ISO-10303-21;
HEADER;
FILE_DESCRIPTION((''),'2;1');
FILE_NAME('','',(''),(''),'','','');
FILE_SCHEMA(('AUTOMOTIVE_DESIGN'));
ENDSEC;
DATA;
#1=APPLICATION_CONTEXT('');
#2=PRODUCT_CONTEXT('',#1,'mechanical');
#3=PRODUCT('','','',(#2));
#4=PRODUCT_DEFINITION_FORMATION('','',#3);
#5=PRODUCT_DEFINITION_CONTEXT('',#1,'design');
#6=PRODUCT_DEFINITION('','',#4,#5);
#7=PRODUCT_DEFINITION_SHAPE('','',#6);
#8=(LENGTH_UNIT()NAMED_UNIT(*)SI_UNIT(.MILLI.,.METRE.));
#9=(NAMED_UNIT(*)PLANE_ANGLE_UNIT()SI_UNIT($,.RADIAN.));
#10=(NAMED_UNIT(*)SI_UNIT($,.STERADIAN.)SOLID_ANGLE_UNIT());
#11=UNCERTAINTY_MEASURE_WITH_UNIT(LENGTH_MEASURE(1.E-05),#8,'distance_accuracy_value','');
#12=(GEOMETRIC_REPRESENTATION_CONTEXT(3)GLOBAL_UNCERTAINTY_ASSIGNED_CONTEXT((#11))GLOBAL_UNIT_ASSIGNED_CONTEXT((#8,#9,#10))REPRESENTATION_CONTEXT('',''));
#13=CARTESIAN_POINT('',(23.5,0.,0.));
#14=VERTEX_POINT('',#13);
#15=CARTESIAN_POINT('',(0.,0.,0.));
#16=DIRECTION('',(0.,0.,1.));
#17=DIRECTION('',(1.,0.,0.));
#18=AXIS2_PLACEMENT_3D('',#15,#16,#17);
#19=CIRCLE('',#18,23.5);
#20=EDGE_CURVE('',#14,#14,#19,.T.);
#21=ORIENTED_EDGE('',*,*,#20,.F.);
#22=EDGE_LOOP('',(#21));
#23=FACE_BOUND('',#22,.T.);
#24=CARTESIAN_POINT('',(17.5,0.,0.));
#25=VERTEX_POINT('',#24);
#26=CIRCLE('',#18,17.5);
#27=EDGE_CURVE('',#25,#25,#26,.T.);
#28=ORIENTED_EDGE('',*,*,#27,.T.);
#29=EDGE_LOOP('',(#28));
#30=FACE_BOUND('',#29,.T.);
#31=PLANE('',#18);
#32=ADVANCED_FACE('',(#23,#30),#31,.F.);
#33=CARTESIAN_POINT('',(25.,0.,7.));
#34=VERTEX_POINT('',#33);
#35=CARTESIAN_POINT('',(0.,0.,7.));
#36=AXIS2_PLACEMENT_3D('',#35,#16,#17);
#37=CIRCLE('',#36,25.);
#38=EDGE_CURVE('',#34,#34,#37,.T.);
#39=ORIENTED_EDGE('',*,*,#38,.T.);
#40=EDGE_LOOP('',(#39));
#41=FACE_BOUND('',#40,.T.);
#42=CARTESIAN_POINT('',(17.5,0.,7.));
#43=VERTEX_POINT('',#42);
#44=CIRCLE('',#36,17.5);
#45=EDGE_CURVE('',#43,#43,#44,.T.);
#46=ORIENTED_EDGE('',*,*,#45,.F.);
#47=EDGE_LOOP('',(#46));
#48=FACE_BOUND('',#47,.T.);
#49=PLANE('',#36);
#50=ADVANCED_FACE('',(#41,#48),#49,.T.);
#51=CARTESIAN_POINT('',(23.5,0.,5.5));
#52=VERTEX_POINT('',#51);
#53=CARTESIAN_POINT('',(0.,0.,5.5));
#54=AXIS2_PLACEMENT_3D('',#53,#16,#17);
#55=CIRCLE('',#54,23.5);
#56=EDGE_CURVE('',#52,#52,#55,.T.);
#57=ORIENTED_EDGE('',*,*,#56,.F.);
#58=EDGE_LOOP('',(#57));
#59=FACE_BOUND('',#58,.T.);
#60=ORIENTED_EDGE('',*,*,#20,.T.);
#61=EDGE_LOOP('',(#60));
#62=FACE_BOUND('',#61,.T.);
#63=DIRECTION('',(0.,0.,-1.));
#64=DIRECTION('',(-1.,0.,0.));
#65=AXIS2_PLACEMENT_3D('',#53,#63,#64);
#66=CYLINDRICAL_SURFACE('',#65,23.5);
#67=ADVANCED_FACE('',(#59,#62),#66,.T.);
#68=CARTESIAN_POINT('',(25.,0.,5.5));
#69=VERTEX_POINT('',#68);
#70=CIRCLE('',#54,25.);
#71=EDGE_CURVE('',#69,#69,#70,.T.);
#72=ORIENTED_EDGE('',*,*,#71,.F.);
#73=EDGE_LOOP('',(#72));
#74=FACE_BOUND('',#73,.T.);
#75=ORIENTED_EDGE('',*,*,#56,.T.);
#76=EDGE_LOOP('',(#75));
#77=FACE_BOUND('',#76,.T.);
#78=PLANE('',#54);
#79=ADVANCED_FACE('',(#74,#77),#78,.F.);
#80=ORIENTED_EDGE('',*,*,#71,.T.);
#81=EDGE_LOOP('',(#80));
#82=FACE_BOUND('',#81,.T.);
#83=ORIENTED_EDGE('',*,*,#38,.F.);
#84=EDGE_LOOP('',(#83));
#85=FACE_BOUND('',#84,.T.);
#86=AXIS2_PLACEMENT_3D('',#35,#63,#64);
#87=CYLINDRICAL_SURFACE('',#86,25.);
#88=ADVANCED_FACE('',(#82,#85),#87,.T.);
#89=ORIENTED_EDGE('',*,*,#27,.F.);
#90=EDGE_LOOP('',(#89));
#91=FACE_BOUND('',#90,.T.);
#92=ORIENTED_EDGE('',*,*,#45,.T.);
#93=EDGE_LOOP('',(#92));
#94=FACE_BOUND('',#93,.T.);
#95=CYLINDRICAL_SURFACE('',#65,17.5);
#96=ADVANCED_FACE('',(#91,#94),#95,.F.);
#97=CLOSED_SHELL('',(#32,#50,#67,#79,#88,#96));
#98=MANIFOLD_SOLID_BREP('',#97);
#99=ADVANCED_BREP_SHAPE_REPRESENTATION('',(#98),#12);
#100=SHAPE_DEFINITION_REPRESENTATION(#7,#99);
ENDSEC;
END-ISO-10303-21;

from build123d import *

# Parameters (mm, degrees)
SKETCH_1_R      = 23.5
SKETCH_1_R_2    = 17.5
EXTRUDE_1_DEPTH = 5.5
SKETCH_2_R      = 25
SKETCH_2_R_2    = 17.5
EXTRUDE_2_DEPTH = 1.5


with BuildPart() as part:
    # 草图1 → 凸台-拉伸1 (new body)
    with BuildSketch(Plane.XY):
        Circle(SKETCH_1_R)
        Circle(SKETCH_1_R_2, mode=Mode.SUBTRACT)
    extrude(amount=EXTRUDE_1_DEPTH)

    # 草图2 → 凸台-拉伸2 (add)
    with BuildSketch(Plane.XY.offset(5.5)):
        Circle(SKETCH_2_R)
        Circle(SKETCH_2_R_2, mode=Mode.SUBTRACT)
    extrude(amount=EXTRUDE_2_DEPTH)


solid = part.part
